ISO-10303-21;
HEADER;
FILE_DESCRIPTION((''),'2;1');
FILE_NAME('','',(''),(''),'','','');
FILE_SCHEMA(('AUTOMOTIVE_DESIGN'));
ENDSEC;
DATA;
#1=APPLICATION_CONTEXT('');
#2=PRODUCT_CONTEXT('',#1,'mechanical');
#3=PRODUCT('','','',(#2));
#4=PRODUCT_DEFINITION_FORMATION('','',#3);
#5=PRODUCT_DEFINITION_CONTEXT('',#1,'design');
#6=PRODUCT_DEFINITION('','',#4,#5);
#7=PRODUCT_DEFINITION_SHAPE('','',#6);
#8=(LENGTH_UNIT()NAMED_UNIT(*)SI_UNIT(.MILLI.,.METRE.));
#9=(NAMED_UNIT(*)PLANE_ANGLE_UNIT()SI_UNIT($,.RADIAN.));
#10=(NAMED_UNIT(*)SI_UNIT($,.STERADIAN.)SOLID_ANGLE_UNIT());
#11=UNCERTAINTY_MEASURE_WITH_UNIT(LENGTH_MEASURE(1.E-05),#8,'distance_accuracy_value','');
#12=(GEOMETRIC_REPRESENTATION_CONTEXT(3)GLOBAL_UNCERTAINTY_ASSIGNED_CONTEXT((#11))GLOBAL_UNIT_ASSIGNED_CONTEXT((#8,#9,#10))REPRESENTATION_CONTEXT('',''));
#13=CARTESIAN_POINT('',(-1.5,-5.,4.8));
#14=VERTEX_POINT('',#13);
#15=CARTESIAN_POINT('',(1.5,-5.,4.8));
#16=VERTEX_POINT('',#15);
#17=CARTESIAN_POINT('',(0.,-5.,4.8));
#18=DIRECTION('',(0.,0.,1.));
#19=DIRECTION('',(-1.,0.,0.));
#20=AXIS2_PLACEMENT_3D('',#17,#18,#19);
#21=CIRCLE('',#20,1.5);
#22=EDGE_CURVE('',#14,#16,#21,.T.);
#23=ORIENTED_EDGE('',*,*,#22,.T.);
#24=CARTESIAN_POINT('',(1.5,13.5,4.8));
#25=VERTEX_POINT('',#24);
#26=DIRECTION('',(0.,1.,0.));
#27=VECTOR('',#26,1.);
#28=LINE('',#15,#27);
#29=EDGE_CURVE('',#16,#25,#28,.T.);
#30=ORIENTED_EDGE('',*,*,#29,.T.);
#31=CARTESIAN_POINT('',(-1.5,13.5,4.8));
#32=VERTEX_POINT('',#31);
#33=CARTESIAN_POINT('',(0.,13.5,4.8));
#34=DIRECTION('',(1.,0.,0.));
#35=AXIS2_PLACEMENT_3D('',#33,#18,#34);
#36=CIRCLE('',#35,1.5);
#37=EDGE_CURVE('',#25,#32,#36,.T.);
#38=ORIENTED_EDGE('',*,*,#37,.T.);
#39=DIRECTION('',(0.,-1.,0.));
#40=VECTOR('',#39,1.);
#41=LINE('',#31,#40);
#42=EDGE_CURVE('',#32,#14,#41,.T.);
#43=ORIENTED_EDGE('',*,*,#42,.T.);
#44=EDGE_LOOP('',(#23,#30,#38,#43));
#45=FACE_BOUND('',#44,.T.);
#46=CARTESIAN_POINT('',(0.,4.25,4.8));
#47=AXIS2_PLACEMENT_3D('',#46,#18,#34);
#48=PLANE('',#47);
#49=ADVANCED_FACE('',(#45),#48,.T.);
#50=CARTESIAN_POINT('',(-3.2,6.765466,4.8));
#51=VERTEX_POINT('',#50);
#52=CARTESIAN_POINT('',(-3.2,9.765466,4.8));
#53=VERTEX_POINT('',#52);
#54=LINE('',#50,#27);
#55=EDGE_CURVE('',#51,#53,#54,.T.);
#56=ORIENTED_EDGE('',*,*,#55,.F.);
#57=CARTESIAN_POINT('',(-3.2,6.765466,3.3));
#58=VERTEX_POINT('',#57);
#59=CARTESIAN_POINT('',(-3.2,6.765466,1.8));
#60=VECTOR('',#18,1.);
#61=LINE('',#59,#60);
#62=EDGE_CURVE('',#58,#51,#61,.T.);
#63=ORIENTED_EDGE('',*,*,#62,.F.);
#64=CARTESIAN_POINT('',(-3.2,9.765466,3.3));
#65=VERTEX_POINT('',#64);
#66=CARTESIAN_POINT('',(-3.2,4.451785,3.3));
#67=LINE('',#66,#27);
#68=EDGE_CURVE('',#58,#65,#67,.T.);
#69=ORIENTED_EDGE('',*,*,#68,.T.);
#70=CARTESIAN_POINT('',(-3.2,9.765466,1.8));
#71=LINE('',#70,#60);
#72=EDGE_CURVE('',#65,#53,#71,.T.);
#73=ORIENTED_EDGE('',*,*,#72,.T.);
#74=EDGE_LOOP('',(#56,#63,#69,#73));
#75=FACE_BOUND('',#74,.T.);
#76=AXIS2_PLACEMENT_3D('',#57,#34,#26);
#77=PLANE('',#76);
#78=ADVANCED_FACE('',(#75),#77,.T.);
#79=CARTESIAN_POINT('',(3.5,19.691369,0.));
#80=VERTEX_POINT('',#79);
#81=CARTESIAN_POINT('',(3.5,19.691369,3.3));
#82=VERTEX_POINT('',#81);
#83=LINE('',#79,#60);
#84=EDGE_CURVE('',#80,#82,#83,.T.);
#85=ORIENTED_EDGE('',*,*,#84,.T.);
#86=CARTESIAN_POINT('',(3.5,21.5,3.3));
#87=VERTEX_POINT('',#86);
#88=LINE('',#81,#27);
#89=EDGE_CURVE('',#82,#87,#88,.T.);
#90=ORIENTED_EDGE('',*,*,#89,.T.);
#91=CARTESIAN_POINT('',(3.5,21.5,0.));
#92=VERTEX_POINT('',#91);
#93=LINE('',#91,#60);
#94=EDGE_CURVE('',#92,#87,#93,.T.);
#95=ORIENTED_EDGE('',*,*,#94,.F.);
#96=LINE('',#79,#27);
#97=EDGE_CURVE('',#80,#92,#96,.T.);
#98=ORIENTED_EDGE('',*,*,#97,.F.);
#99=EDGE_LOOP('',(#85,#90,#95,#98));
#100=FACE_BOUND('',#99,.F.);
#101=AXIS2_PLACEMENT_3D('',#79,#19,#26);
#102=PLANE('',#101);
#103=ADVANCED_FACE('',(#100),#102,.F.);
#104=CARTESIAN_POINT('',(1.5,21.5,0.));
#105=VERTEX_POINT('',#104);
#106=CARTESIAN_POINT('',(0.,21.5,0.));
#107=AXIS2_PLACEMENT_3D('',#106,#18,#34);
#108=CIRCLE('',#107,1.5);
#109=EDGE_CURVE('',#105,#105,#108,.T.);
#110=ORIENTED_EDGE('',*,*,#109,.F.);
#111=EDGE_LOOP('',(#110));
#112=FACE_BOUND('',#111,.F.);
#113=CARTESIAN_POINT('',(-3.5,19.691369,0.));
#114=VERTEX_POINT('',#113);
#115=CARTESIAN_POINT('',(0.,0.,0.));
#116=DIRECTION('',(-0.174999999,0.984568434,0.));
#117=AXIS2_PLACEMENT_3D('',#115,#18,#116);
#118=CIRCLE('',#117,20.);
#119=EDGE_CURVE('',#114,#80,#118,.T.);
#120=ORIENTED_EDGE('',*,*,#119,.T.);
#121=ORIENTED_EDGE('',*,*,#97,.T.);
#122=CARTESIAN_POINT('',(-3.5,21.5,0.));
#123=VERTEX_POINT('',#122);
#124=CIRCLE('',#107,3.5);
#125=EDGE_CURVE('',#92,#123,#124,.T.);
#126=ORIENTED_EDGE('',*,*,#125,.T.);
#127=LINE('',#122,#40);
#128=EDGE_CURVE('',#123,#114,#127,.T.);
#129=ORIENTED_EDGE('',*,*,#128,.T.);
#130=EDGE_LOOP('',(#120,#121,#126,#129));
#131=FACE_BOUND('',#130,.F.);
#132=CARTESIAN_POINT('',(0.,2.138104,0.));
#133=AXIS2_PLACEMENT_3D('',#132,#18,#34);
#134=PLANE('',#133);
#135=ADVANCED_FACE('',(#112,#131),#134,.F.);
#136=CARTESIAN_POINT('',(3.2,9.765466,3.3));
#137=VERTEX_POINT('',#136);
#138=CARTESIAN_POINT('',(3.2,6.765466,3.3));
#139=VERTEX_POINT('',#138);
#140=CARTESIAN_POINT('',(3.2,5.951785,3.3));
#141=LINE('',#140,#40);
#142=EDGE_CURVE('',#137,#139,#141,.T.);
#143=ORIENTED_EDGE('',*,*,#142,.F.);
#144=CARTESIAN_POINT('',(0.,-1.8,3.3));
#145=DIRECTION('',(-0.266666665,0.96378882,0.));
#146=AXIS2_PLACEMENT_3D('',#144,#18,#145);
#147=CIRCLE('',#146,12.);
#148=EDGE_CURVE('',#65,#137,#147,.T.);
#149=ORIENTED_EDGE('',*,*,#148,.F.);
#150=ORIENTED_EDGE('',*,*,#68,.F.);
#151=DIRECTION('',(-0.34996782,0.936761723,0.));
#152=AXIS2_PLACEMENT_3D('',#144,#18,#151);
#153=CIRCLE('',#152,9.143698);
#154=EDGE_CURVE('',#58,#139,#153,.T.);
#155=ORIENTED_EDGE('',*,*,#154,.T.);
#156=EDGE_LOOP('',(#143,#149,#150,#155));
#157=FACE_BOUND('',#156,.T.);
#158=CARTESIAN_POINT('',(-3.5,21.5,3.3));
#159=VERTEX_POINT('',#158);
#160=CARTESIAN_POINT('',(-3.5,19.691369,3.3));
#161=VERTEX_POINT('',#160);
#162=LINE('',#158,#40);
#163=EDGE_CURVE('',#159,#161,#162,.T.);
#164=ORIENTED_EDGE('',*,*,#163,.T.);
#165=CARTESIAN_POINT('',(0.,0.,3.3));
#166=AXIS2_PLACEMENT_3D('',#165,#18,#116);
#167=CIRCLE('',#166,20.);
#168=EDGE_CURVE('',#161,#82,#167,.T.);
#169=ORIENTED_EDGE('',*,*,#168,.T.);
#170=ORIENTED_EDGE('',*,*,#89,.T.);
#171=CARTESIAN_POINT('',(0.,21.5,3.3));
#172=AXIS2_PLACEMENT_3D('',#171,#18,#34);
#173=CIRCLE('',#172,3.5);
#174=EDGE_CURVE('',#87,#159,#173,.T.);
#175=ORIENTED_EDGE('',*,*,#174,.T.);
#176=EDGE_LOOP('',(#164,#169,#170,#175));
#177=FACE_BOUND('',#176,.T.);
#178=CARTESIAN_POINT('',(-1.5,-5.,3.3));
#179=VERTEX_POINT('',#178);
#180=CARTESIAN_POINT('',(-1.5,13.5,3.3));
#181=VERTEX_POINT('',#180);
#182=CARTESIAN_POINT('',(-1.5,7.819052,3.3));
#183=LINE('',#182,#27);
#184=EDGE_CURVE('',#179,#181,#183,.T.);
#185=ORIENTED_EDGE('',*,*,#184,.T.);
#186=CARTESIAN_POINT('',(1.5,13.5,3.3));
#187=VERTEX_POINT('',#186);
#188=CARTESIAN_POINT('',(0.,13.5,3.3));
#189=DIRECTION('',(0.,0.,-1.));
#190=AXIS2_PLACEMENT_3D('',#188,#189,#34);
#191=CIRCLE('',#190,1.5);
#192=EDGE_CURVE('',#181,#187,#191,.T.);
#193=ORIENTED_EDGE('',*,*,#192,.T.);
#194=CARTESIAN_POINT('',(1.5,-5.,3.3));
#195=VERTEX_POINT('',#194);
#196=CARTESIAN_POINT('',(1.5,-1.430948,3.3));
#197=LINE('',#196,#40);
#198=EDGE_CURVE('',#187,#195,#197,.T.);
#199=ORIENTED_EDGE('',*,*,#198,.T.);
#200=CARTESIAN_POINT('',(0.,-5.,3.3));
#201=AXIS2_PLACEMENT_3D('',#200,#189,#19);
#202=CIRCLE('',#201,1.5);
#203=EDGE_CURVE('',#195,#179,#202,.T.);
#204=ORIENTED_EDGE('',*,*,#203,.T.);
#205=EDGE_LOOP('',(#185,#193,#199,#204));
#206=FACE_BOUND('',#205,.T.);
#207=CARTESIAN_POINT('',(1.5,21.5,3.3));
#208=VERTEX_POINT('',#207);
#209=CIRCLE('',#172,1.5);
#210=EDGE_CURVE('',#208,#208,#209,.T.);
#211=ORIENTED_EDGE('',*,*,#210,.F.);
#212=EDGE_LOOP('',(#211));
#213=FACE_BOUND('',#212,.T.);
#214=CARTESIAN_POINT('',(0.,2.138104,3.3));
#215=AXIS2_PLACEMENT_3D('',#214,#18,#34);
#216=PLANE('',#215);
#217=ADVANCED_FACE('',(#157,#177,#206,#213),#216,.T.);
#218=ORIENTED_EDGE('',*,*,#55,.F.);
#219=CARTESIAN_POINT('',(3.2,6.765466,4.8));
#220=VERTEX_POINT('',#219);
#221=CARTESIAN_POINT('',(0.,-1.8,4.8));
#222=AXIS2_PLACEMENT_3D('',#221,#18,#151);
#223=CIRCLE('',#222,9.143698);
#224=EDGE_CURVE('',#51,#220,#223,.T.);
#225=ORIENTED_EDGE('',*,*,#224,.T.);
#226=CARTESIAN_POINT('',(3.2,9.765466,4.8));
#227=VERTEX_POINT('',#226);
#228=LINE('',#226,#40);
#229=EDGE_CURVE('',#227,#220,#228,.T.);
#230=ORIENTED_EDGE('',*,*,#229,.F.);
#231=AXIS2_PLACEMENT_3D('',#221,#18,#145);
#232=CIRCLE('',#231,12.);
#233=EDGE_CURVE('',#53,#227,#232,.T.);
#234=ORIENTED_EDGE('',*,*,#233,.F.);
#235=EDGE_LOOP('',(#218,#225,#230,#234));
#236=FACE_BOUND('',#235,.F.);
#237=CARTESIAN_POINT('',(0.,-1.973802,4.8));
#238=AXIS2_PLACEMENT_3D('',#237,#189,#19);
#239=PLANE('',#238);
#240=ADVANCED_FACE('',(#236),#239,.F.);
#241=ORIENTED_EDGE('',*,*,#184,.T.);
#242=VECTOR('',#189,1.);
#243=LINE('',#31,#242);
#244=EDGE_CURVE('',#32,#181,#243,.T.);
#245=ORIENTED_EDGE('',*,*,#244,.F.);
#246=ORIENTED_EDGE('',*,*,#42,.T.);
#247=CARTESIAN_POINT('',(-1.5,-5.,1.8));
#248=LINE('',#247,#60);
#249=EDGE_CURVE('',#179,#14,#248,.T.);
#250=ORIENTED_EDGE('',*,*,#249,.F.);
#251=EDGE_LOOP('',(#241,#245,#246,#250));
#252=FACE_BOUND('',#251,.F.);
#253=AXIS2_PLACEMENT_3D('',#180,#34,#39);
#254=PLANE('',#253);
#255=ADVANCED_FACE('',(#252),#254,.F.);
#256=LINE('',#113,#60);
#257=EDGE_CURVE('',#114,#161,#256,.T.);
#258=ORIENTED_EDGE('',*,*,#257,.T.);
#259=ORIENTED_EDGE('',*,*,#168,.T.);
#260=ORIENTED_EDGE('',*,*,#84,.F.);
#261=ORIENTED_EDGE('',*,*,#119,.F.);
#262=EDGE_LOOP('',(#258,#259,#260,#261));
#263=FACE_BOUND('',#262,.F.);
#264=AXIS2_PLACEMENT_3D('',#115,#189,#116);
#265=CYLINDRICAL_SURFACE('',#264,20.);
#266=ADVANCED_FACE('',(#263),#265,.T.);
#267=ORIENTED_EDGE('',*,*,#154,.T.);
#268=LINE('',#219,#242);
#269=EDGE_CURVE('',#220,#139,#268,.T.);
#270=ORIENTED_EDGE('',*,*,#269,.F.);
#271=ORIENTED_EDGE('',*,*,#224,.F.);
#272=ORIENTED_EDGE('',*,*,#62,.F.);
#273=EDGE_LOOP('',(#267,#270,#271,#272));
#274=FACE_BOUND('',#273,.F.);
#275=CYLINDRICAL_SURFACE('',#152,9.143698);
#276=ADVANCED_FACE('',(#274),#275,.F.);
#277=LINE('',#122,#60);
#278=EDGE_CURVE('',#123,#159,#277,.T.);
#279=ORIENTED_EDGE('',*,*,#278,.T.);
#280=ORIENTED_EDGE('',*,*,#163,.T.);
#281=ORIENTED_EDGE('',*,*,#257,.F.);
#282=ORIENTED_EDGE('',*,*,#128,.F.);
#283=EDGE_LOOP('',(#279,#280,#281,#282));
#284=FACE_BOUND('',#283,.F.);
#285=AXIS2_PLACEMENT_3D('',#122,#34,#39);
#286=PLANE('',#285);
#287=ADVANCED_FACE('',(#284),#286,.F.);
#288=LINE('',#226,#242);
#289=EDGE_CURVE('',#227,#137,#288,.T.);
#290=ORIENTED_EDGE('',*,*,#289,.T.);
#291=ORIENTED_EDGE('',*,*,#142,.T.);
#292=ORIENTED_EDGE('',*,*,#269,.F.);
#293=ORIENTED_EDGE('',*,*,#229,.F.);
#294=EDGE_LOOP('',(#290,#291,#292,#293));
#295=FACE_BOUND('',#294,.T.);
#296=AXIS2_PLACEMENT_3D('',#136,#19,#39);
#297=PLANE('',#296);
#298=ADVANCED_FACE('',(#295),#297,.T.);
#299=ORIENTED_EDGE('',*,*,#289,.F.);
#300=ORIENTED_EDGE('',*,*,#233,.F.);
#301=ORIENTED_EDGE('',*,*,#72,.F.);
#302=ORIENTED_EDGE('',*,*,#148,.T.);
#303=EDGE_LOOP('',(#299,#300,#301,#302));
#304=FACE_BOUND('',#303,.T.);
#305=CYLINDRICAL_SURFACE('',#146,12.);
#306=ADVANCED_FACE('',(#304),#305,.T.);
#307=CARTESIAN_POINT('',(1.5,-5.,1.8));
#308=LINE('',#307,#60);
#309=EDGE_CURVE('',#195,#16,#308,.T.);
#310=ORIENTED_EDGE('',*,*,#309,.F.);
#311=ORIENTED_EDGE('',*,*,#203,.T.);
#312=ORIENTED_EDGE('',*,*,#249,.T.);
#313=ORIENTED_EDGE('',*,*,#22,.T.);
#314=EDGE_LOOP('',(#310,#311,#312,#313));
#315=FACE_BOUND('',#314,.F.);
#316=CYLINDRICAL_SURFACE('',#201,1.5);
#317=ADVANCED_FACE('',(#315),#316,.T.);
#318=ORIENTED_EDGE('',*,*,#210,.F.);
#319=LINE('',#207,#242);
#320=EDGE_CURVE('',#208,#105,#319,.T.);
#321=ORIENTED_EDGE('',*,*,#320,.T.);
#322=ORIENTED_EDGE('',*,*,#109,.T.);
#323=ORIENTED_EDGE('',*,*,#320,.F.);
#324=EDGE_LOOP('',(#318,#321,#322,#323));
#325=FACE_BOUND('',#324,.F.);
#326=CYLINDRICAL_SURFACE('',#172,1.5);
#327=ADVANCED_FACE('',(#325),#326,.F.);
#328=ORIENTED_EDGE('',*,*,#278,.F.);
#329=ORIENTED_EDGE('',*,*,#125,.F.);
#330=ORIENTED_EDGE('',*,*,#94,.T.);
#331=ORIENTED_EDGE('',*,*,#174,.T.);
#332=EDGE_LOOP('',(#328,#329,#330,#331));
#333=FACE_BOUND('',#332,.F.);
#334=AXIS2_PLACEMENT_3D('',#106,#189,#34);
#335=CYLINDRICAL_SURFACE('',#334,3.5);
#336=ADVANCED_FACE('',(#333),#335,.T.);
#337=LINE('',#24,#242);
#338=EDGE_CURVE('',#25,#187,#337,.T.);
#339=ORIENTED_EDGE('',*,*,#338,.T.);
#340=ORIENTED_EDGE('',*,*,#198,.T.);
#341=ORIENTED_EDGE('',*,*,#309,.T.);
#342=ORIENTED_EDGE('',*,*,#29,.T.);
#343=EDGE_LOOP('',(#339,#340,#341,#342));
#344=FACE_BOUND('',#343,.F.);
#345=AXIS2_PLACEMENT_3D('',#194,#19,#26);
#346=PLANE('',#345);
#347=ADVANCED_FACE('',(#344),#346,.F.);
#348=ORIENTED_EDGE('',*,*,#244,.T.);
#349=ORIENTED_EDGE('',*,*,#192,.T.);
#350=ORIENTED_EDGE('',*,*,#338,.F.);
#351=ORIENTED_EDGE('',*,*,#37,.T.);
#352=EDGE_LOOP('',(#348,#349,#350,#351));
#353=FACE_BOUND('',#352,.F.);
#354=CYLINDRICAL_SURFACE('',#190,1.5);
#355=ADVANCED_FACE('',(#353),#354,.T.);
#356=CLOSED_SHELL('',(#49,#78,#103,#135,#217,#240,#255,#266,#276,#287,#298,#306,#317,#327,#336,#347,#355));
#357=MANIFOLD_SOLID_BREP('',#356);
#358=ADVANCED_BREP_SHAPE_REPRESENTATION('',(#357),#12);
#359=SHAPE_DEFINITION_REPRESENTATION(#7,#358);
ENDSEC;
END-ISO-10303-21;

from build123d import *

# Parameters (mm, degrees)
EXTRUDE_DEPTH = 3.3
SKETCH001_R   = 1.5
POCKET_DEPTH  = 3.301
PAD_DEPTH     = 1.5


with BuildPart() as part:
    # Sketch → Extrude (new body)
    with BuildSketch(Plane.XY):
        with BuildLine():
            ThreePointArc((3.5, 21.5), (0, 25), (-3.5, 21.5))
            Line((-3.5, 21.5), (-3.5, 19.691369))
            ThreePointArc((-3.5, 19.691369), (0, -20), (3.5, 19.691369))
            Line((3.5, 19.691369), (3.5, 21.5))
        make_face()
    extrude(amount=EXTRUDE_DEPTH)

    # Sketch001 → Pocket (cut, through all)
    with BuildSketch(Plane.XY.offset(3.3)):
        with Locations((0, 21.5)):
            Circle(SKETCH001_R)
    extrude(amount=-POCKET_DEPTH, mode=Mode.SUBTRACT)

    # Sketch002 → Pad (new body, symmetric)
    with BuildSketch(Plane.XY.offset(3.3)):
        with BuildLine():
            Line((-1.5, 13.5), (-1.5, -5))
            ThreePointArc((-1.5, -5), (0, -6.5), (1.5, -5))
            Line((1.5, -5), (1.5, 13.5))
            ThreePointArc((1.5, 13.5), (0, 15), (-1.5, 13.5))
        make_face()
        with BuildLine():
            ThreePointArc((-3.2, 6.765466), (0, -10.943698), (3.2, 6.765466))
            Line((3.2, 9.765466), (3.2, 6.765466))
            ThreePointArc((-3.2, 9.765466), (0, -13.8), (3.2, 9.765466))
            Line((-3.2, 6.765466), (-3.2, 9.765466))
        make_face()
    extrude(amount=PAD_DEPTH, both=True)


solid = part.part
